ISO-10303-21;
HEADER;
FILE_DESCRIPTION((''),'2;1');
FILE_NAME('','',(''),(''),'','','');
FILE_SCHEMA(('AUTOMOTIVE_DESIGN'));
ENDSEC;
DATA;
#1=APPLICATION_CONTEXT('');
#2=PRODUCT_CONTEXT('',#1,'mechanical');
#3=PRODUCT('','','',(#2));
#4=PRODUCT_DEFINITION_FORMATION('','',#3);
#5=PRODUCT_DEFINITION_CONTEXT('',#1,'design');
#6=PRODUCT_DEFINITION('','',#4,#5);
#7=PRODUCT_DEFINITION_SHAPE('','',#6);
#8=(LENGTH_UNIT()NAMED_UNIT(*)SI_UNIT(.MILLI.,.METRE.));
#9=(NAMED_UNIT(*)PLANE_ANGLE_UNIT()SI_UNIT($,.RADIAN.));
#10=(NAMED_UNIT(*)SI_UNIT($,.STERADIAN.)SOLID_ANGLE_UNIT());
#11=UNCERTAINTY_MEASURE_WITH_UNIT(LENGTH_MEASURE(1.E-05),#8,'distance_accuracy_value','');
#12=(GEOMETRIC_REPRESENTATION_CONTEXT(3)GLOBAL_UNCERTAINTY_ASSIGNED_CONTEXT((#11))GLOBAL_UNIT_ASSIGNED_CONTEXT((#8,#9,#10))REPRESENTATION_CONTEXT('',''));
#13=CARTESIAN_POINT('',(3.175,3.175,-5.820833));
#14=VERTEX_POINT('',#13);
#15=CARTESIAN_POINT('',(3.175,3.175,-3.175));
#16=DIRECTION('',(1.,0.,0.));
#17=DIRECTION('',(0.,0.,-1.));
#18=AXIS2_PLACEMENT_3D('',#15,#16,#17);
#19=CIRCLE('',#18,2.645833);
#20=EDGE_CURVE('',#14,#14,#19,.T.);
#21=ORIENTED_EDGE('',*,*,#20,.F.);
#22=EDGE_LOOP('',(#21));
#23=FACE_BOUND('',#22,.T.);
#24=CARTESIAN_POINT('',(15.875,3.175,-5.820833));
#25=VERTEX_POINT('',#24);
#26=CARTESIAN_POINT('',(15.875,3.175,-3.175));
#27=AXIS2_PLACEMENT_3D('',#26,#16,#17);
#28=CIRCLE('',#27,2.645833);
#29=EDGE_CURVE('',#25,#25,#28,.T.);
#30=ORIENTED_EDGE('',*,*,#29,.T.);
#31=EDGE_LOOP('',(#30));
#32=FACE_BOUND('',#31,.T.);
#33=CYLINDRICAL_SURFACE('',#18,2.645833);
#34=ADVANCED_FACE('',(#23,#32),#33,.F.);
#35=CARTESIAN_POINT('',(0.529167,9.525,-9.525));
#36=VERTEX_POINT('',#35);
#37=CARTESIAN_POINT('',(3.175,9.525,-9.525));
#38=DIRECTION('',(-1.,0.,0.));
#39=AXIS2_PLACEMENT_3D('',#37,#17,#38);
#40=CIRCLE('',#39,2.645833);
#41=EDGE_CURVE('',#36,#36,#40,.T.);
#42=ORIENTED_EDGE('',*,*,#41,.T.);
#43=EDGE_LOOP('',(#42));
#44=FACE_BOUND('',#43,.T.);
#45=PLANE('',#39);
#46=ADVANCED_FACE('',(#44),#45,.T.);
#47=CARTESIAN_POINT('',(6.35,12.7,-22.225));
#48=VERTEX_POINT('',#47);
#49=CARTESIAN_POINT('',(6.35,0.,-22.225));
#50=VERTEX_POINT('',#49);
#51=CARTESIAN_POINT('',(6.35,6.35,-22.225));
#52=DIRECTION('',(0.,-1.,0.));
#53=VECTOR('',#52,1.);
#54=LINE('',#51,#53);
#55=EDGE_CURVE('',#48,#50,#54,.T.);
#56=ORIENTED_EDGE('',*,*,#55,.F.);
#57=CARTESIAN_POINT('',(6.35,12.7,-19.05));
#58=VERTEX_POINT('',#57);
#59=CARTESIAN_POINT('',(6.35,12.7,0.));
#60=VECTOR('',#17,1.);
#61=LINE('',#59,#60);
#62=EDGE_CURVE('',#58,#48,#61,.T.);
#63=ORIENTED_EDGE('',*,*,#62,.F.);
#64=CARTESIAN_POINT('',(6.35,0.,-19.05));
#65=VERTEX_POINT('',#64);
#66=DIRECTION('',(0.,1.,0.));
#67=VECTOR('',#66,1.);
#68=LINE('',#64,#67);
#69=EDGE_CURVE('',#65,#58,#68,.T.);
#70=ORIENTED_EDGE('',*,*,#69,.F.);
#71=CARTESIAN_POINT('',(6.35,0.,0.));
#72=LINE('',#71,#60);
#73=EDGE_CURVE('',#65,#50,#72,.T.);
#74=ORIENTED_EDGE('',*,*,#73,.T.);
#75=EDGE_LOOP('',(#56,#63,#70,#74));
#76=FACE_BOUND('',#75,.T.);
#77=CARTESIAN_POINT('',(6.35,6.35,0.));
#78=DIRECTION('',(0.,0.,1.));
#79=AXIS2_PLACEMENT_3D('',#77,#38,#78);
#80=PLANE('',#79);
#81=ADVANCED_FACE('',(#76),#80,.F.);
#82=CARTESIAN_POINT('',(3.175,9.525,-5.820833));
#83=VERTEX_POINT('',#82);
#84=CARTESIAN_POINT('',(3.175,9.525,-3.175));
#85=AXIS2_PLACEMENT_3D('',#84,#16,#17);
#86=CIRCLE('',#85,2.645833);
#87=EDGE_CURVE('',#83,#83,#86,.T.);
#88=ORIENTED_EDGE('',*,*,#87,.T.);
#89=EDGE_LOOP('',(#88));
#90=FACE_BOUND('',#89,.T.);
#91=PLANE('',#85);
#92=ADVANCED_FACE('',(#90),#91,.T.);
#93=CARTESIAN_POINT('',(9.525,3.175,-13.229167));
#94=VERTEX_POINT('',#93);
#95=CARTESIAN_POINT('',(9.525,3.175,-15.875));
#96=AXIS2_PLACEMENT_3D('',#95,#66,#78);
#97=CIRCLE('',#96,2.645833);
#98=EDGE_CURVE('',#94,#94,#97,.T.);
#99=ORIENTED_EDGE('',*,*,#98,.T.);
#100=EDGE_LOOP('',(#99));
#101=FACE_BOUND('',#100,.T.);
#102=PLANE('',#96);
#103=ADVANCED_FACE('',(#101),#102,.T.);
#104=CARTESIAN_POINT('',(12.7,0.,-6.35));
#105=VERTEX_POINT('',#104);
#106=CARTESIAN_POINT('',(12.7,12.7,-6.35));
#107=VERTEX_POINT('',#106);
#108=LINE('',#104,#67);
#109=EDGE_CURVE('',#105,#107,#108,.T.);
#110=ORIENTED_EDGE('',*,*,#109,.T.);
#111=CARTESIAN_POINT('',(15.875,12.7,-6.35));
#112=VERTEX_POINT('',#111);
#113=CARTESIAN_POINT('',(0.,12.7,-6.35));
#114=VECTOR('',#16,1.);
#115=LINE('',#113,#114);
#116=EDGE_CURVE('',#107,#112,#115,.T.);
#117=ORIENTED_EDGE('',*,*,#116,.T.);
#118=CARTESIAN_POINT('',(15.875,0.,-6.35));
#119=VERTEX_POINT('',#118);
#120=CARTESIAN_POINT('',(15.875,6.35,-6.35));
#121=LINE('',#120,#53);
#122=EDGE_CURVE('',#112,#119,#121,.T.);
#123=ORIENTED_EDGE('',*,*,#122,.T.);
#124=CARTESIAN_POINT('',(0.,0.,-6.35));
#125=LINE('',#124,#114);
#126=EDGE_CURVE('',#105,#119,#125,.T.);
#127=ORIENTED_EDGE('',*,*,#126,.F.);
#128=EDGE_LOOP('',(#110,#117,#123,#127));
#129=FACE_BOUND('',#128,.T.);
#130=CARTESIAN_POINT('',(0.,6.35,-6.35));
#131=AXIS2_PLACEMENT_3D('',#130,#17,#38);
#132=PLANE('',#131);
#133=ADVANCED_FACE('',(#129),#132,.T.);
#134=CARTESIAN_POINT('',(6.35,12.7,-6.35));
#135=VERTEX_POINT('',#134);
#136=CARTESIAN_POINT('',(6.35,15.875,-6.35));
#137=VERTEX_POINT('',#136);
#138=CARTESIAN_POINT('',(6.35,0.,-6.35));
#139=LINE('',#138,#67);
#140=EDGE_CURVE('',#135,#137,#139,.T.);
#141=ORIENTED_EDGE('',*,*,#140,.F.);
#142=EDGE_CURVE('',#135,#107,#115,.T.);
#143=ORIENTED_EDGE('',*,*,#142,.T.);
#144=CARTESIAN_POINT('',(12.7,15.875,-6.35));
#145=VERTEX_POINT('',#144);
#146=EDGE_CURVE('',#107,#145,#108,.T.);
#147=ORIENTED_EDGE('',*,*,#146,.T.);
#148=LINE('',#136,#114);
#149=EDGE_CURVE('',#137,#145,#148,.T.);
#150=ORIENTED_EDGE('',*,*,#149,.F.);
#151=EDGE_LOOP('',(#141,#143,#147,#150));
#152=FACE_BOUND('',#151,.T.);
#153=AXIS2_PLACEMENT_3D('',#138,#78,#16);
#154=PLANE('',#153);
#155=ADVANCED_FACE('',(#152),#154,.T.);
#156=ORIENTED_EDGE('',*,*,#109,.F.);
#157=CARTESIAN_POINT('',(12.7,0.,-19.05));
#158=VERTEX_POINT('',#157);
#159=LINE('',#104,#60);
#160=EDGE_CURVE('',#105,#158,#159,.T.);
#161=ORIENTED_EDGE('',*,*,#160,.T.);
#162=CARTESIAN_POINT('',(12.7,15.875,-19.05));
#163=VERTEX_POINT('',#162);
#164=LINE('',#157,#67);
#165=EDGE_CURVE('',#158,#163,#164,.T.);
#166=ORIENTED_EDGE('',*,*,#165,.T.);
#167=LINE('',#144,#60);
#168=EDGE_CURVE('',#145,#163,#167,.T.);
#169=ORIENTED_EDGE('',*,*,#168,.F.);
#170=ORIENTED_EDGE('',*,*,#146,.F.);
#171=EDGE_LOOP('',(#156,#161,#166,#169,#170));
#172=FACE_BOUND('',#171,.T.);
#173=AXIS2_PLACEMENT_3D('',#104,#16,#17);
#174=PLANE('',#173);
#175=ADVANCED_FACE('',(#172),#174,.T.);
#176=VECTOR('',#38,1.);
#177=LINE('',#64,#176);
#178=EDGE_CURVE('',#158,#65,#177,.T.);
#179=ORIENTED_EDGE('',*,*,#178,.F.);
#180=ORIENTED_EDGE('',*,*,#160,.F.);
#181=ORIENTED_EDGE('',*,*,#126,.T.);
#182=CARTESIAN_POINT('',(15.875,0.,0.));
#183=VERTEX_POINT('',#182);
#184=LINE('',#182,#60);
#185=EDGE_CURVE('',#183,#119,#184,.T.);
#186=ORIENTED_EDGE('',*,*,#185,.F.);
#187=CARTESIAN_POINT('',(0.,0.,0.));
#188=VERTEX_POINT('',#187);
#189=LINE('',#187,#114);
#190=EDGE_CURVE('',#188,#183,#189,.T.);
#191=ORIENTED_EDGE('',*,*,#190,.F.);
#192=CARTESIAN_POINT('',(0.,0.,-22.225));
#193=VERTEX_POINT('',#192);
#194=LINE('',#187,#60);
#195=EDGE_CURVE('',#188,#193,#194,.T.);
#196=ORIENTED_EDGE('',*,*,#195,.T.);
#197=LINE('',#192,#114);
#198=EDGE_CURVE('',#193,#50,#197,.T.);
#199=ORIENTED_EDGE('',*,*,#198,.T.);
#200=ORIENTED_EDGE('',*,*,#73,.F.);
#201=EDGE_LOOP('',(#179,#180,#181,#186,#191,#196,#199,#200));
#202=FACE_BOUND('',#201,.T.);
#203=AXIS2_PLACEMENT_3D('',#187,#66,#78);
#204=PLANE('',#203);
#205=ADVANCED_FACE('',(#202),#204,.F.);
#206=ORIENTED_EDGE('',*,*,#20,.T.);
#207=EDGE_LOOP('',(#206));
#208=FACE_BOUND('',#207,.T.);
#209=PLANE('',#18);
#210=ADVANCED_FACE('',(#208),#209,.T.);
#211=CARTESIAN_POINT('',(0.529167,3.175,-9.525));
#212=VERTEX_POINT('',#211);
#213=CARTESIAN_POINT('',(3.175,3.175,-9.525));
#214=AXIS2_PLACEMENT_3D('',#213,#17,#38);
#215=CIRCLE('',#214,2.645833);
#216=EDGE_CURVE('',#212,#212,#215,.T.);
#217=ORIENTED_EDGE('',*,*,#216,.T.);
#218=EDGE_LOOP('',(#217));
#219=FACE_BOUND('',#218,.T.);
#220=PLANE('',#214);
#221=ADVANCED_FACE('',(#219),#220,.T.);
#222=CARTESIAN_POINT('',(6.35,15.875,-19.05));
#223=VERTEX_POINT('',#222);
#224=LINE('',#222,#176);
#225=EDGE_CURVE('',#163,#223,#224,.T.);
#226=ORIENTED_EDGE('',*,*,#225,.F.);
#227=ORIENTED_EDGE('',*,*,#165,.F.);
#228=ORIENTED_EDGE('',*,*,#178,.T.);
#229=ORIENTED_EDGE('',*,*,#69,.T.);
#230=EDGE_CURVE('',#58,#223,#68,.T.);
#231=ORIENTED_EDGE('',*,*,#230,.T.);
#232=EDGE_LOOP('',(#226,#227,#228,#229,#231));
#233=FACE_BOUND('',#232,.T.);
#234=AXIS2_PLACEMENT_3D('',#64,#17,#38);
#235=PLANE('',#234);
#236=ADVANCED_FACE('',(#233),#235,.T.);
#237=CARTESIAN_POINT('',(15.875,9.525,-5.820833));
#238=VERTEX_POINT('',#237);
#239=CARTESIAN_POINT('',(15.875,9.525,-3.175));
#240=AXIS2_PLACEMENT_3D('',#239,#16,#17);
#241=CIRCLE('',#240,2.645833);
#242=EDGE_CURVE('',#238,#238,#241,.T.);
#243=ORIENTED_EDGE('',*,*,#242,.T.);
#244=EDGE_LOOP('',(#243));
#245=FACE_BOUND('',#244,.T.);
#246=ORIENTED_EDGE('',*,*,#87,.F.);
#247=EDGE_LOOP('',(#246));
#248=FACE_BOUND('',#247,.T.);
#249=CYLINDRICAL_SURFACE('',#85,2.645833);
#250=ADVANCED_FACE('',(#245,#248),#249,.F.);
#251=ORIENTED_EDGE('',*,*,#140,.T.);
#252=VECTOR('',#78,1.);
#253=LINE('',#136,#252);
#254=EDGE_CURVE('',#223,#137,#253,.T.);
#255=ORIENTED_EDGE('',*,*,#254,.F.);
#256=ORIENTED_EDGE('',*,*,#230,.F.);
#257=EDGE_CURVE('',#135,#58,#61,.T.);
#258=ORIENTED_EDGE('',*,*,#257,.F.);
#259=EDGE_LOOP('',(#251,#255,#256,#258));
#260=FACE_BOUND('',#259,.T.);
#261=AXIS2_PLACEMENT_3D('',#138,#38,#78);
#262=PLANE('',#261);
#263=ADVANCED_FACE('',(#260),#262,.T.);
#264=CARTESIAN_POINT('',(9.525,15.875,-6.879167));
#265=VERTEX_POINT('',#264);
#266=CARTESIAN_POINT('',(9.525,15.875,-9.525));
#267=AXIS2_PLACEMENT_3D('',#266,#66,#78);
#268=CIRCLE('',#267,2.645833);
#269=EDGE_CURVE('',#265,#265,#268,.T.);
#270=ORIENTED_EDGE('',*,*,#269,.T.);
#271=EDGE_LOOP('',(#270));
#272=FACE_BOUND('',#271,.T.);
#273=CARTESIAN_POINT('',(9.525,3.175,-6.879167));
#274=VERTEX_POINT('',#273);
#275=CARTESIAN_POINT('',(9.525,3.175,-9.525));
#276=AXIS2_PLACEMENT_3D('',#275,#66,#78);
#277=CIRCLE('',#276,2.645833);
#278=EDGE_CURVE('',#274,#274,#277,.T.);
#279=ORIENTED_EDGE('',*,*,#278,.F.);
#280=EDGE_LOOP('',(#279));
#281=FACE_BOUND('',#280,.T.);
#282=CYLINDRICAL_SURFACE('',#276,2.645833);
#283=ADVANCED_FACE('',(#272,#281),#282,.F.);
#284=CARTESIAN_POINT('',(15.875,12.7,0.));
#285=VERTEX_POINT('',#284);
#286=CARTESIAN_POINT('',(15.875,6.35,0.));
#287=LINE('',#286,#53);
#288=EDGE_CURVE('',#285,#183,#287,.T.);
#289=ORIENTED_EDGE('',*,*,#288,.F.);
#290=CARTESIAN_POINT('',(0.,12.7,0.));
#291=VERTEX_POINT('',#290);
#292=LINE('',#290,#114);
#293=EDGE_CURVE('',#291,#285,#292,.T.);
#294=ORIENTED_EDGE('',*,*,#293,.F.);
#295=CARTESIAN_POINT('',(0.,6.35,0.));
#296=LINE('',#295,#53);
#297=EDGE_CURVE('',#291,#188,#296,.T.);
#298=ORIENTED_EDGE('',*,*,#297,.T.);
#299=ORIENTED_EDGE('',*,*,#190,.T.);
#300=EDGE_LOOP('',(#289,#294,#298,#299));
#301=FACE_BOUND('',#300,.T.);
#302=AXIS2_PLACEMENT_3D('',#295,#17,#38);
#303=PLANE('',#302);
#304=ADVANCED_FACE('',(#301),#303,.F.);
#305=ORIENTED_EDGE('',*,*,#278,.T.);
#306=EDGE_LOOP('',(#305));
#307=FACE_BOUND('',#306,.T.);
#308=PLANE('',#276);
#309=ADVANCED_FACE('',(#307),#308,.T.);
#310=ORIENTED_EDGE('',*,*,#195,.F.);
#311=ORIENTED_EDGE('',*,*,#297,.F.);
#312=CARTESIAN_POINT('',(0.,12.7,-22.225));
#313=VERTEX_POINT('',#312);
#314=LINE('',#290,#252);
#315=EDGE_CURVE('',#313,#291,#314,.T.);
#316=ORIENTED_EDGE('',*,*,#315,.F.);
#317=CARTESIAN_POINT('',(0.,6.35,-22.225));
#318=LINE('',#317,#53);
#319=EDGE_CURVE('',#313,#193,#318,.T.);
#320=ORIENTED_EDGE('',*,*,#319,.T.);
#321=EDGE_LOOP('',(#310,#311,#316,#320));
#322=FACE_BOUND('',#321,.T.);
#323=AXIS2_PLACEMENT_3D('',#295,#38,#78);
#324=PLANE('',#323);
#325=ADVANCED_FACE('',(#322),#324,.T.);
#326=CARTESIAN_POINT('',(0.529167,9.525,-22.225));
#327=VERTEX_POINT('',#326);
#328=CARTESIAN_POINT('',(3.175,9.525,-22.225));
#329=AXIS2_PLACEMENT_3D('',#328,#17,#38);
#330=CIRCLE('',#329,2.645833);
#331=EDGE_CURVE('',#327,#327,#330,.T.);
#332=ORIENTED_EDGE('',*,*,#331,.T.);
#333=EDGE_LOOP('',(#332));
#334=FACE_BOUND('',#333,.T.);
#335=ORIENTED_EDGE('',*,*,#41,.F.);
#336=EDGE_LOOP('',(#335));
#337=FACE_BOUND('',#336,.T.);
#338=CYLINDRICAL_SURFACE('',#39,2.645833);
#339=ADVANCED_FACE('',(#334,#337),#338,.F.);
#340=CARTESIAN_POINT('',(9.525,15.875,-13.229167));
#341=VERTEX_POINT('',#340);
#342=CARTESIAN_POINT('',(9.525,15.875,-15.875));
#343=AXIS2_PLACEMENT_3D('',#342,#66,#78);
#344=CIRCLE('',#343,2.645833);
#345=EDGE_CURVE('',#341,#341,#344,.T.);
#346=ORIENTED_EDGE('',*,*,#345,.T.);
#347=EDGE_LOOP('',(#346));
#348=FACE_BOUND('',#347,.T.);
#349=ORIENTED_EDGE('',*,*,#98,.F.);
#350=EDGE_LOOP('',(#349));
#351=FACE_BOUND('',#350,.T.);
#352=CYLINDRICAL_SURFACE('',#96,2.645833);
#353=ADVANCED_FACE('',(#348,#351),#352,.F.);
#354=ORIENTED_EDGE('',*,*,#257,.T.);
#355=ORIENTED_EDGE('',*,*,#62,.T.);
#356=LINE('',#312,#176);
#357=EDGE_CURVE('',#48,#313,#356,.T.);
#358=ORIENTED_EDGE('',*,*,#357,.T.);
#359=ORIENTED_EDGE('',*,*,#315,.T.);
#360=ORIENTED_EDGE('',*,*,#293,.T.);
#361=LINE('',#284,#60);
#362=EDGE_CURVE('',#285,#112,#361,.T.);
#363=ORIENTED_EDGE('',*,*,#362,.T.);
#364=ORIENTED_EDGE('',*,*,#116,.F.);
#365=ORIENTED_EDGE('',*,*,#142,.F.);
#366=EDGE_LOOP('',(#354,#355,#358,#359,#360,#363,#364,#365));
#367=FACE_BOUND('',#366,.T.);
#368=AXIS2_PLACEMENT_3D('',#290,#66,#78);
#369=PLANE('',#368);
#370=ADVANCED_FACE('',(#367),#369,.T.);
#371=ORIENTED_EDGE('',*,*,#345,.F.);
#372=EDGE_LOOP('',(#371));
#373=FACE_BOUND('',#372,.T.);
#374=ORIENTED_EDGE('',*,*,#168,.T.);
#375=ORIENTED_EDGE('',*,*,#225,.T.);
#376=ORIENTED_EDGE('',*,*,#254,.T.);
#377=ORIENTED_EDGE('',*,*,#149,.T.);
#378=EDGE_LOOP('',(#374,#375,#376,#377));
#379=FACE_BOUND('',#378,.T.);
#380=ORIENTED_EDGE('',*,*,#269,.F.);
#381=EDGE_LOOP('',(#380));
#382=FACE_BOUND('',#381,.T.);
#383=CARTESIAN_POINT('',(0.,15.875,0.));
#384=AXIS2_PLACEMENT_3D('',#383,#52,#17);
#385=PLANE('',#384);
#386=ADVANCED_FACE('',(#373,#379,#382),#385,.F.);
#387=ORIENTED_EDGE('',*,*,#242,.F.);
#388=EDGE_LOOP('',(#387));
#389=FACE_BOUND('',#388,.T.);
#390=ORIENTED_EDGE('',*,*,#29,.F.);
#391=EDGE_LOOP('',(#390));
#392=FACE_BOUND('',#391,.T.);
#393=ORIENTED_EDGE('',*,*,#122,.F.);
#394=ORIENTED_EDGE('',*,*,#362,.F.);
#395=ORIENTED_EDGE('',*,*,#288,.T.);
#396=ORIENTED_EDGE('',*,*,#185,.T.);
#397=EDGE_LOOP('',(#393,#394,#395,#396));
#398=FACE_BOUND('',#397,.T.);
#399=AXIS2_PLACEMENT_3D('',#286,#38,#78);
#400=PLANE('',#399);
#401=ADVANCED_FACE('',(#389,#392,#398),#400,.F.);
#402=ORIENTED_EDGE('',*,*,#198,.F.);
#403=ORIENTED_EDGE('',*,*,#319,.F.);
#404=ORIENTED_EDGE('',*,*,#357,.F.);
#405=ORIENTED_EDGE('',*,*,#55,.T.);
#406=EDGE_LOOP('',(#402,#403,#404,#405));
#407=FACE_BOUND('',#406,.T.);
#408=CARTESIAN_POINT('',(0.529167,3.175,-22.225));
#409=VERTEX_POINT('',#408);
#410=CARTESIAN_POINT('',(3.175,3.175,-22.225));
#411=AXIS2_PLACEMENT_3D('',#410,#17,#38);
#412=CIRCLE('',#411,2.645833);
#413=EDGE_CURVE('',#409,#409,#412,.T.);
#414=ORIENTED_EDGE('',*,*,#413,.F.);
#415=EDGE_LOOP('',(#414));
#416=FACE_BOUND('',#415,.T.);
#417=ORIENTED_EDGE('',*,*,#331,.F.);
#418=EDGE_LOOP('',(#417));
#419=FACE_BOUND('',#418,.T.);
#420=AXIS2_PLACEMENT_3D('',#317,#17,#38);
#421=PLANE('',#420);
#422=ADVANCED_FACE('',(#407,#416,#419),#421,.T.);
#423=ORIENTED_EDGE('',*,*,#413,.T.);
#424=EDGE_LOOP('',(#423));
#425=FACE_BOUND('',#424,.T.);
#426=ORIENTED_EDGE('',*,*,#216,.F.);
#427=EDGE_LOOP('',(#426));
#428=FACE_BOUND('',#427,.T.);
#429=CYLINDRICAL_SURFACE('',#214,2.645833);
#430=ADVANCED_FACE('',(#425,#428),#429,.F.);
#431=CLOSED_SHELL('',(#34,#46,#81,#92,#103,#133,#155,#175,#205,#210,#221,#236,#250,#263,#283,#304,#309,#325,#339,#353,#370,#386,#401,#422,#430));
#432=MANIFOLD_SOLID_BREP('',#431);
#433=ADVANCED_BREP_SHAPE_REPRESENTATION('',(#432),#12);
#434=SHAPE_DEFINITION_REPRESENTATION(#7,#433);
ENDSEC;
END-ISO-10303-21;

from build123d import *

# Parameters (mm, degrees)
SKETCH1_W                = 6.35
SKETCH1_H                = 15.875
SKETCH1_W_2              = 15.875
SKETCH1_H_2              = 6.35
BOSS_EXTRUDE1_DEPTH      = 6.35
SKETCH5_R                = 2.645833291
CUT_EXTRUDE1_DEPTH       = 12.7
SKETCH6_R                = 2.645833333
CUT_EXTRUDE2_DEPTH       = 12.7
SKETCH10_W               = 6.35
SKETCH10_H               = 15.875
BOSS_EXTRUDE5_DEPTH      = 6.35
SKETCH11_R               = 2.645833333
CUT_EXTRUDE5_DEPTH       = 12.7
SKETCH12_R               = 2.645833333
CUT_EXTRUDE6_DEPTH       = 12.7
SKETCH13_W               = 6.35
SKETCH13_H               = 12.7
BOSS_EXTRUDE6_DEPTH      = 3.175
BOSS_EXTRUDE6_DEPTH_BACK = 12.7
SKETCH14_R               = 2.645833333
CUT_EXTRUDE7_DEPTH       = 12.7


with BuildPart() as part:
    # Sketch1 → Boss-Extrude1 (new body)
    with BuildSketch(Plane(origin=(0, 0, 0), x_dir=(1, 0, 0), z_dir=(0, 1, 0))):
        with Locations((3.175, 14.2875)):
            Rectangle(SKETCH1_W, SKETCH1_H)
        with Locations((7.9375, 3.175)):
            Rectangle(SKETCH1_W_2, SKETCH1_H_2)
    extrude(amount=BOSS_EXTRUDE1_DEPTH)

    # Sketch5 → Cut-Extrude1 (cut)
    with BuildSketch(Plane(origin=(15.875, 0, 0), x_dir=(0, 0, -1), z_dir=(1, 0, 0))):
        with Locations((3.175, 3.175)):
            Circle(SKETCH5_R)
    extrude(amount=-CUT_EXTRUDE1_DEPTH, mode=Mode.SUBTRACT)

    # Sketch6 → Cut-Extrude2 (cut)
    with BuildSketch(Plane(origin=(0, 0, -22.225), x_dir=(-1, 0, 0), z_dir=(0, 0, -1))):
        with Locations((-3.175, 3.175)):
            Circle(SKETCH6_R)
    extrude(amount=-CUT_EXTRUDE2_DEPTH, mode=Mode.SUBTRACT)

    # Sketch10 → Boss-Extrude5 (add)
    with BuildSketch(Plane(origin=(0, 6.35, 0), x_dir=(1, 0, 0), z_dir=(0, 1, 0))):
        with Locations((3.175, 14.2875)):
            Rectangle(SKETCH10_W, SKETCH10_H)
        Polygon((0, 6.35), (0, 0), (15.875, 0), (15.875, 6.35), (6.35, 6.35), align=None)
    extrude(amount=BOSS_EXTRUDE5_DEPTH)

    # Sketch11 → Cut-Extrude5 (cut)
    with BuildSketch(Plane(origin=(15.875, 0, 0), x_dir=(0, 0, -1), z_dir=(1, 0, 0))):
        with Locations((3.175, 9.525)):
            Circle(SKETCH11_R)
    extrude(amount=-CUT_EXTRUDE5_DEPTH, mode=Mode.SUBTRACT)

    # Sketch12 → Cut-Extrude6 (cut)
    with BuildSketch(Plane(origin=(0, 0, -22.225), x_dir=(-1, 0, 0), z_dir=(0, 0, -1))):
        with Locations((-3.175, 9.525)):
            Circle(SKETCH12_R)
    extrude(amount=-CUT_EXTRUDE6_DEPTH, mode=Mode.SUBTRACT)

    # Sketch13 → Boss-Extrude6 (add, two sides)
    with BuildSketch(Plane(origin=(0, 12.7, 0), x_dir=(1, 0, 0), z_dir=(0, 1, 0))) as boss_extrude6_sk:
        with Locations((9.525, 12.7)):
            Rectangle(SKETCH13_W, SKETCH13_H)
    extrude(amount=BOSS_EXTRUDE6_DEPTH)
    extrude(boss_extrude6_sk.sketch, amount=-BOSS_EXTRUDE6_DEPTH_BACK)

    # Sketch14 → Cut-Extrude7 (cut)
    with BuildSketch(Plane(origin=(0, 15.875, 0), x_dir=(1, 0, 0), z_dir=(0, 1, 0))):
        with Locations((9.525, 9.525)):
            Circle(SKETCH14_R)
        with Locations((9.525, 15.875)):
            Circle(SKETCH14_R)
    extrude(amount=-CUT_EXTRUDE7_DEPTH, mode=Mode.SUBTRACT)


solid = part.part
